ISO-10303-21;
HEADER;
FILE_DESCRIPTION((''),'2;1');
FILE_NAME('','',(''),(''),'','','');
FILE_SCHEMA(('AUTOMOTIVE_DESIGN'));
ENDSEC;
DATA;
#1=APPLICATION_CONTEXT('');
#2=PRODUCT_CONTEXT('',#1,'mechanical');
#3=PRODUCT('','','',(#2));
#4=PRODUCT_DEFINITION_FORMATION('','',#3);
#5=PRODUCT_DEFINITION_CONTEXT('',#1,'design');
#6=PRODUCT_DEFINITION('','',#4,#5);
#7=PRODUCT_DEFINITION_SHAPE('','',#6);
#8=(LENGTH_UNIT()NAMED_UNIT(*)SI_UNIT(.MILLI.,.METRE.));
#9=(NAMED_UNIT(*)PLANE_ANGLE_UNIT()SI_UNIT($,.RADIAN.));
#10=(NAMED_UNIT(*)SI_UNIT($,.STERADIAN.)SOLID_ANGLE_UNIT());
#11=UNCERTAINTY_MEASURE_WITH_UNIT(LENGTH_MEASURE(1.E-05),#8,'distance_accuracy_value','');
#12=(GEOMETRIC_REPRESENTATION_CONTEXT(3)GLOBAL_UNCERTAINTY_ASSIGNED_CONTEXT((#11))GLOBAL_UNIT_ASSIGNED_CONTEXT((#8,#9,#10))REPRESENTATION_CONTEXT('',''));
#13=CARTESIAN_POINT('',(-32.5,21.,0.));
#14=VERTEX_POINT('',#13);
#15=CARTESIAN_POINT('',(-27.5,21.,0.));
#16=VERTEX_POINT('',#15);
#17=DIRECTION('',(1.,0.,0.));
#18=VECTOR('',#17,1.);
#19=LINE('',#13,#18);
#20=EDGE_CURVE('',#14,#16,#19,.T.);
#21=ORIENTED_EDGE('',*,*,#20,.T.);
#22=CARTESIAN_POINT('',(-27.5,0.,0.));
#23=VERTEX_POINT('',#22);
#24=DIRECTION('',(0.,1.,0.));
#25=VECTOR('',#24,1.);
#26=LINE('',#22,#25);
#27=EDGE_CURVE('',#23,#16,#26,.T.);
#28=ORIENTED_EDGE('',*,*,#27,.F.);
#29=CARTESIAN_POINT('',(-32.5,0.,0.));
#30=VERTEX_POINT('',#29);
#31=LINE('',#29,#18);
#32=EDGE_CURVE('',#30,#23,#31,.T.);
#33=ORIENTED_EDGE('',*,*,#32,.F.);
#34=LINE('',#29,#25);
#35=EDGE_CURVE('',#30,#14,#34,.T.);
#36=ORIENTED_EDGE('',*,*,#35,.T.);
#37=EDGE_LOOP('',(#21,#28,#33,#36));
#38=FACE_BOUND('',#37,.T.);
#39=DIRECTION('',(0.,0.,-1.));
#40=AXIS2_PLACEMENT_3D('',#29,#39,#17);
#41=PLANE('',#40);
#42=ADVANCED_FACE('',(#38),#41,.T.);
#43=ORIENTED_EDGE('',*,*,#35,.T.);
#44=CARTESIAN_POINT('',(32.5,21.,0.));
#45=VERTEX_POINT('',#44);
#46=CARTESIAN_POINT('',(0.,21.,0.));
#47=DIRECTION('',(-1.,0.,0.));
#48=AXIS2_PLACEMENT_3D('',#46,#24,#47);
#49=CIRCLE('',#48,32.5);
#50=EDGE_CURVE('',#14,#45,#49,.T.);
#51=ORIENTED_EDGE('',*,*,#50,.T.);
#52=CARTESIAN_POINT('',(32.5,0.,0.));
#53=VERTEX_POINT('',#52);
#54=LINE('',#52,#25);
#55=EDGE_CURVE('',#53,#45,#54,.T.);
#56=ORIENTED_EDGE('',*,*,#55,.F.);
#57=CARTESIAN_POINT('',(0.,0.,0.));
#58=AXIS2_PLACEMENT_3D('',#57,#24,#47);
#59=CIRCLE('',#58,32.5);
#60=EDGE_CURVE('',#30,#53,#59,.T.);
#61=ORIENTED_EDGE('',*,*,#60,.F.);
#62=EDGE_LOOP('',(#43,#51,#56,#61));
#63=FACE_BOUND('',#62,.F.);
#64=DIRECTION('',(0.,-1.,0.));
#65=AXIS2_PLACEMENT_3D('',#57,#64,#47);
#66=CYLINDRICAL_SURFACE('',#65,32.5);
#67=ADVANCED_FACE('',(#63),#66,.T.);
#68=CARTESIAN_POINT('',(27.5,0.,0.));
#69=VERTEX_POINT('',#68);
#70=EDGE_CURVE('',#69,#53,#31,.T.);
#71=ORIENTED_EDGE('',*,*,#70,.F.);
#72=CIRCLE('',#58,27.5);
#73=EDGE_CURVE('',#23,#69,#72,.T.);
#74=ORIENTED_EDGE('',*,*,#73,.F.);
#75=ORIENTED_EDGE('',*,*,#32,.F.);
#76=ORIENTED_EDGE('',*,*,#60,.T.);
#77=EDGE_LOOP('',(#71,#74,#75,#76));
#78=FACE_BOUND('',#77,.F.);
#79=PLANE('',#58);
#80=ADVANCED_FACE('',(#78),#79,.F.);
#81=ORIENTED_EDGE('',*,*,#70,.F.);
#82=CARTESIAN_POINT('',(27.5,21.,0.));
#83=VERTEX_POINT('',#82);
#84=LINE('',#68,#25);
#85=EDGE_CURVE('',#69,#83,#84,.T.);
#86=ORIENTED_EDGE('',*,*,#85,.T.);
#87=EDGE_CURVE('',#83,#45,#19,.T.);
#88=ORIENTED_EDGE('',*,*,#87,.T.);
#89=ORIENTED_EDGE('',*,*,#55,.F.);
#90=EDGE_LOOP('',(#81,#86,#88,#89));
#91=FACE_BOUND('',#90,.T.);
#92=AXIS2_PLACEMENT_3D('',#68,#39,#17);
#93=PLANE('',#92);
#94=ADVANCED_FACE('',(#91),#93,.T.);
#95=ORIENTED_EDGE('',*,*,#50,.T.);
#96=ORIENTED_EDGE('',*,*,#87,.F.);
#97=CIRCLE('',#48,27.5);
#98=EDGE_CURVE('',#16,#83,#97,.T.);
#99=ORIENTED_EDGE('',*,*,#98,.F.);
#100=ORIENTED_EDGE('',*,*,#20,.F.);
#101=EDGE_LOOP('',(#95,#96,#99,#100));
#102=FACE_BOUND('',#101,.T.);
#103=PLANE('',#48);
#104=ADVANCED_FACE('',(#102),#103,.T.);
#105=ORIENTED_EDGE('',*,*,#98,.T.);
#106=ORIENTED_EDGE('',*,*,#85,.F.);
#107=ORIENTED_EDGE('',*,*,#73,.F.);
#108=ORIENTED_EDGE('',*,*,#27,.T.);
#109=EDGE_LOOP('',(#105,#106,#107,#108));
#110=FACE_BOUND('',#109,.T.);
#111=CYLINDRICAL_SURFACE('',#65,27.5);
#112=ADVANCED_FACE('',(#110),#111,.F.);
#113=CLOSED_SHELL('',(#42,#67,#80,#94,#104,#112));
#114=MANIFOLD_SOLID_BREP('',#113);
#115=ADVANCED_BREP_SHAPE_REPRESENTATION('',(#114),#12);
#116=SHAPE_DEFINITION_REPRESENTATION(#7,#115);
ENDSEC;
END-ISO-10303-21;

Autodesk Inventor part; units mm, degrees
ref_plane "YZ Plane" through (0, 0, 0) normal (1, 0, 0) x (0, 1, 0)
ref_plane "XZ Plane" through (0, 0, 0) normal (0, 1, 0) x (-1, 0, 0)
ref_plane "XY Plane" through (0, 0, 0) normal (0, 0, 1) x (1, 0, 0)
sketch "Sketch1" plane through (0, 0, 0) normal (0, 1, 0) x (-1, 0, 0)
  circle A0 centre (0, 0) radius 27.5
  circle A1 centre (0, 0) radius 32.5
  line L0 (32.5, 0) -> (-32.5, 0)
  point P0 (27.5, 0)
  point P1 (-27.5, 0)
  dimension "d0" = 55
  dimension "d1" = 65
extrude "Extrusion1" add sketch "Sketch1" along normal blind 21 contours A0 L0 A1 picked at (28.2277, 11.887)
properties part number "Panewka środkowa wału korbowego"
